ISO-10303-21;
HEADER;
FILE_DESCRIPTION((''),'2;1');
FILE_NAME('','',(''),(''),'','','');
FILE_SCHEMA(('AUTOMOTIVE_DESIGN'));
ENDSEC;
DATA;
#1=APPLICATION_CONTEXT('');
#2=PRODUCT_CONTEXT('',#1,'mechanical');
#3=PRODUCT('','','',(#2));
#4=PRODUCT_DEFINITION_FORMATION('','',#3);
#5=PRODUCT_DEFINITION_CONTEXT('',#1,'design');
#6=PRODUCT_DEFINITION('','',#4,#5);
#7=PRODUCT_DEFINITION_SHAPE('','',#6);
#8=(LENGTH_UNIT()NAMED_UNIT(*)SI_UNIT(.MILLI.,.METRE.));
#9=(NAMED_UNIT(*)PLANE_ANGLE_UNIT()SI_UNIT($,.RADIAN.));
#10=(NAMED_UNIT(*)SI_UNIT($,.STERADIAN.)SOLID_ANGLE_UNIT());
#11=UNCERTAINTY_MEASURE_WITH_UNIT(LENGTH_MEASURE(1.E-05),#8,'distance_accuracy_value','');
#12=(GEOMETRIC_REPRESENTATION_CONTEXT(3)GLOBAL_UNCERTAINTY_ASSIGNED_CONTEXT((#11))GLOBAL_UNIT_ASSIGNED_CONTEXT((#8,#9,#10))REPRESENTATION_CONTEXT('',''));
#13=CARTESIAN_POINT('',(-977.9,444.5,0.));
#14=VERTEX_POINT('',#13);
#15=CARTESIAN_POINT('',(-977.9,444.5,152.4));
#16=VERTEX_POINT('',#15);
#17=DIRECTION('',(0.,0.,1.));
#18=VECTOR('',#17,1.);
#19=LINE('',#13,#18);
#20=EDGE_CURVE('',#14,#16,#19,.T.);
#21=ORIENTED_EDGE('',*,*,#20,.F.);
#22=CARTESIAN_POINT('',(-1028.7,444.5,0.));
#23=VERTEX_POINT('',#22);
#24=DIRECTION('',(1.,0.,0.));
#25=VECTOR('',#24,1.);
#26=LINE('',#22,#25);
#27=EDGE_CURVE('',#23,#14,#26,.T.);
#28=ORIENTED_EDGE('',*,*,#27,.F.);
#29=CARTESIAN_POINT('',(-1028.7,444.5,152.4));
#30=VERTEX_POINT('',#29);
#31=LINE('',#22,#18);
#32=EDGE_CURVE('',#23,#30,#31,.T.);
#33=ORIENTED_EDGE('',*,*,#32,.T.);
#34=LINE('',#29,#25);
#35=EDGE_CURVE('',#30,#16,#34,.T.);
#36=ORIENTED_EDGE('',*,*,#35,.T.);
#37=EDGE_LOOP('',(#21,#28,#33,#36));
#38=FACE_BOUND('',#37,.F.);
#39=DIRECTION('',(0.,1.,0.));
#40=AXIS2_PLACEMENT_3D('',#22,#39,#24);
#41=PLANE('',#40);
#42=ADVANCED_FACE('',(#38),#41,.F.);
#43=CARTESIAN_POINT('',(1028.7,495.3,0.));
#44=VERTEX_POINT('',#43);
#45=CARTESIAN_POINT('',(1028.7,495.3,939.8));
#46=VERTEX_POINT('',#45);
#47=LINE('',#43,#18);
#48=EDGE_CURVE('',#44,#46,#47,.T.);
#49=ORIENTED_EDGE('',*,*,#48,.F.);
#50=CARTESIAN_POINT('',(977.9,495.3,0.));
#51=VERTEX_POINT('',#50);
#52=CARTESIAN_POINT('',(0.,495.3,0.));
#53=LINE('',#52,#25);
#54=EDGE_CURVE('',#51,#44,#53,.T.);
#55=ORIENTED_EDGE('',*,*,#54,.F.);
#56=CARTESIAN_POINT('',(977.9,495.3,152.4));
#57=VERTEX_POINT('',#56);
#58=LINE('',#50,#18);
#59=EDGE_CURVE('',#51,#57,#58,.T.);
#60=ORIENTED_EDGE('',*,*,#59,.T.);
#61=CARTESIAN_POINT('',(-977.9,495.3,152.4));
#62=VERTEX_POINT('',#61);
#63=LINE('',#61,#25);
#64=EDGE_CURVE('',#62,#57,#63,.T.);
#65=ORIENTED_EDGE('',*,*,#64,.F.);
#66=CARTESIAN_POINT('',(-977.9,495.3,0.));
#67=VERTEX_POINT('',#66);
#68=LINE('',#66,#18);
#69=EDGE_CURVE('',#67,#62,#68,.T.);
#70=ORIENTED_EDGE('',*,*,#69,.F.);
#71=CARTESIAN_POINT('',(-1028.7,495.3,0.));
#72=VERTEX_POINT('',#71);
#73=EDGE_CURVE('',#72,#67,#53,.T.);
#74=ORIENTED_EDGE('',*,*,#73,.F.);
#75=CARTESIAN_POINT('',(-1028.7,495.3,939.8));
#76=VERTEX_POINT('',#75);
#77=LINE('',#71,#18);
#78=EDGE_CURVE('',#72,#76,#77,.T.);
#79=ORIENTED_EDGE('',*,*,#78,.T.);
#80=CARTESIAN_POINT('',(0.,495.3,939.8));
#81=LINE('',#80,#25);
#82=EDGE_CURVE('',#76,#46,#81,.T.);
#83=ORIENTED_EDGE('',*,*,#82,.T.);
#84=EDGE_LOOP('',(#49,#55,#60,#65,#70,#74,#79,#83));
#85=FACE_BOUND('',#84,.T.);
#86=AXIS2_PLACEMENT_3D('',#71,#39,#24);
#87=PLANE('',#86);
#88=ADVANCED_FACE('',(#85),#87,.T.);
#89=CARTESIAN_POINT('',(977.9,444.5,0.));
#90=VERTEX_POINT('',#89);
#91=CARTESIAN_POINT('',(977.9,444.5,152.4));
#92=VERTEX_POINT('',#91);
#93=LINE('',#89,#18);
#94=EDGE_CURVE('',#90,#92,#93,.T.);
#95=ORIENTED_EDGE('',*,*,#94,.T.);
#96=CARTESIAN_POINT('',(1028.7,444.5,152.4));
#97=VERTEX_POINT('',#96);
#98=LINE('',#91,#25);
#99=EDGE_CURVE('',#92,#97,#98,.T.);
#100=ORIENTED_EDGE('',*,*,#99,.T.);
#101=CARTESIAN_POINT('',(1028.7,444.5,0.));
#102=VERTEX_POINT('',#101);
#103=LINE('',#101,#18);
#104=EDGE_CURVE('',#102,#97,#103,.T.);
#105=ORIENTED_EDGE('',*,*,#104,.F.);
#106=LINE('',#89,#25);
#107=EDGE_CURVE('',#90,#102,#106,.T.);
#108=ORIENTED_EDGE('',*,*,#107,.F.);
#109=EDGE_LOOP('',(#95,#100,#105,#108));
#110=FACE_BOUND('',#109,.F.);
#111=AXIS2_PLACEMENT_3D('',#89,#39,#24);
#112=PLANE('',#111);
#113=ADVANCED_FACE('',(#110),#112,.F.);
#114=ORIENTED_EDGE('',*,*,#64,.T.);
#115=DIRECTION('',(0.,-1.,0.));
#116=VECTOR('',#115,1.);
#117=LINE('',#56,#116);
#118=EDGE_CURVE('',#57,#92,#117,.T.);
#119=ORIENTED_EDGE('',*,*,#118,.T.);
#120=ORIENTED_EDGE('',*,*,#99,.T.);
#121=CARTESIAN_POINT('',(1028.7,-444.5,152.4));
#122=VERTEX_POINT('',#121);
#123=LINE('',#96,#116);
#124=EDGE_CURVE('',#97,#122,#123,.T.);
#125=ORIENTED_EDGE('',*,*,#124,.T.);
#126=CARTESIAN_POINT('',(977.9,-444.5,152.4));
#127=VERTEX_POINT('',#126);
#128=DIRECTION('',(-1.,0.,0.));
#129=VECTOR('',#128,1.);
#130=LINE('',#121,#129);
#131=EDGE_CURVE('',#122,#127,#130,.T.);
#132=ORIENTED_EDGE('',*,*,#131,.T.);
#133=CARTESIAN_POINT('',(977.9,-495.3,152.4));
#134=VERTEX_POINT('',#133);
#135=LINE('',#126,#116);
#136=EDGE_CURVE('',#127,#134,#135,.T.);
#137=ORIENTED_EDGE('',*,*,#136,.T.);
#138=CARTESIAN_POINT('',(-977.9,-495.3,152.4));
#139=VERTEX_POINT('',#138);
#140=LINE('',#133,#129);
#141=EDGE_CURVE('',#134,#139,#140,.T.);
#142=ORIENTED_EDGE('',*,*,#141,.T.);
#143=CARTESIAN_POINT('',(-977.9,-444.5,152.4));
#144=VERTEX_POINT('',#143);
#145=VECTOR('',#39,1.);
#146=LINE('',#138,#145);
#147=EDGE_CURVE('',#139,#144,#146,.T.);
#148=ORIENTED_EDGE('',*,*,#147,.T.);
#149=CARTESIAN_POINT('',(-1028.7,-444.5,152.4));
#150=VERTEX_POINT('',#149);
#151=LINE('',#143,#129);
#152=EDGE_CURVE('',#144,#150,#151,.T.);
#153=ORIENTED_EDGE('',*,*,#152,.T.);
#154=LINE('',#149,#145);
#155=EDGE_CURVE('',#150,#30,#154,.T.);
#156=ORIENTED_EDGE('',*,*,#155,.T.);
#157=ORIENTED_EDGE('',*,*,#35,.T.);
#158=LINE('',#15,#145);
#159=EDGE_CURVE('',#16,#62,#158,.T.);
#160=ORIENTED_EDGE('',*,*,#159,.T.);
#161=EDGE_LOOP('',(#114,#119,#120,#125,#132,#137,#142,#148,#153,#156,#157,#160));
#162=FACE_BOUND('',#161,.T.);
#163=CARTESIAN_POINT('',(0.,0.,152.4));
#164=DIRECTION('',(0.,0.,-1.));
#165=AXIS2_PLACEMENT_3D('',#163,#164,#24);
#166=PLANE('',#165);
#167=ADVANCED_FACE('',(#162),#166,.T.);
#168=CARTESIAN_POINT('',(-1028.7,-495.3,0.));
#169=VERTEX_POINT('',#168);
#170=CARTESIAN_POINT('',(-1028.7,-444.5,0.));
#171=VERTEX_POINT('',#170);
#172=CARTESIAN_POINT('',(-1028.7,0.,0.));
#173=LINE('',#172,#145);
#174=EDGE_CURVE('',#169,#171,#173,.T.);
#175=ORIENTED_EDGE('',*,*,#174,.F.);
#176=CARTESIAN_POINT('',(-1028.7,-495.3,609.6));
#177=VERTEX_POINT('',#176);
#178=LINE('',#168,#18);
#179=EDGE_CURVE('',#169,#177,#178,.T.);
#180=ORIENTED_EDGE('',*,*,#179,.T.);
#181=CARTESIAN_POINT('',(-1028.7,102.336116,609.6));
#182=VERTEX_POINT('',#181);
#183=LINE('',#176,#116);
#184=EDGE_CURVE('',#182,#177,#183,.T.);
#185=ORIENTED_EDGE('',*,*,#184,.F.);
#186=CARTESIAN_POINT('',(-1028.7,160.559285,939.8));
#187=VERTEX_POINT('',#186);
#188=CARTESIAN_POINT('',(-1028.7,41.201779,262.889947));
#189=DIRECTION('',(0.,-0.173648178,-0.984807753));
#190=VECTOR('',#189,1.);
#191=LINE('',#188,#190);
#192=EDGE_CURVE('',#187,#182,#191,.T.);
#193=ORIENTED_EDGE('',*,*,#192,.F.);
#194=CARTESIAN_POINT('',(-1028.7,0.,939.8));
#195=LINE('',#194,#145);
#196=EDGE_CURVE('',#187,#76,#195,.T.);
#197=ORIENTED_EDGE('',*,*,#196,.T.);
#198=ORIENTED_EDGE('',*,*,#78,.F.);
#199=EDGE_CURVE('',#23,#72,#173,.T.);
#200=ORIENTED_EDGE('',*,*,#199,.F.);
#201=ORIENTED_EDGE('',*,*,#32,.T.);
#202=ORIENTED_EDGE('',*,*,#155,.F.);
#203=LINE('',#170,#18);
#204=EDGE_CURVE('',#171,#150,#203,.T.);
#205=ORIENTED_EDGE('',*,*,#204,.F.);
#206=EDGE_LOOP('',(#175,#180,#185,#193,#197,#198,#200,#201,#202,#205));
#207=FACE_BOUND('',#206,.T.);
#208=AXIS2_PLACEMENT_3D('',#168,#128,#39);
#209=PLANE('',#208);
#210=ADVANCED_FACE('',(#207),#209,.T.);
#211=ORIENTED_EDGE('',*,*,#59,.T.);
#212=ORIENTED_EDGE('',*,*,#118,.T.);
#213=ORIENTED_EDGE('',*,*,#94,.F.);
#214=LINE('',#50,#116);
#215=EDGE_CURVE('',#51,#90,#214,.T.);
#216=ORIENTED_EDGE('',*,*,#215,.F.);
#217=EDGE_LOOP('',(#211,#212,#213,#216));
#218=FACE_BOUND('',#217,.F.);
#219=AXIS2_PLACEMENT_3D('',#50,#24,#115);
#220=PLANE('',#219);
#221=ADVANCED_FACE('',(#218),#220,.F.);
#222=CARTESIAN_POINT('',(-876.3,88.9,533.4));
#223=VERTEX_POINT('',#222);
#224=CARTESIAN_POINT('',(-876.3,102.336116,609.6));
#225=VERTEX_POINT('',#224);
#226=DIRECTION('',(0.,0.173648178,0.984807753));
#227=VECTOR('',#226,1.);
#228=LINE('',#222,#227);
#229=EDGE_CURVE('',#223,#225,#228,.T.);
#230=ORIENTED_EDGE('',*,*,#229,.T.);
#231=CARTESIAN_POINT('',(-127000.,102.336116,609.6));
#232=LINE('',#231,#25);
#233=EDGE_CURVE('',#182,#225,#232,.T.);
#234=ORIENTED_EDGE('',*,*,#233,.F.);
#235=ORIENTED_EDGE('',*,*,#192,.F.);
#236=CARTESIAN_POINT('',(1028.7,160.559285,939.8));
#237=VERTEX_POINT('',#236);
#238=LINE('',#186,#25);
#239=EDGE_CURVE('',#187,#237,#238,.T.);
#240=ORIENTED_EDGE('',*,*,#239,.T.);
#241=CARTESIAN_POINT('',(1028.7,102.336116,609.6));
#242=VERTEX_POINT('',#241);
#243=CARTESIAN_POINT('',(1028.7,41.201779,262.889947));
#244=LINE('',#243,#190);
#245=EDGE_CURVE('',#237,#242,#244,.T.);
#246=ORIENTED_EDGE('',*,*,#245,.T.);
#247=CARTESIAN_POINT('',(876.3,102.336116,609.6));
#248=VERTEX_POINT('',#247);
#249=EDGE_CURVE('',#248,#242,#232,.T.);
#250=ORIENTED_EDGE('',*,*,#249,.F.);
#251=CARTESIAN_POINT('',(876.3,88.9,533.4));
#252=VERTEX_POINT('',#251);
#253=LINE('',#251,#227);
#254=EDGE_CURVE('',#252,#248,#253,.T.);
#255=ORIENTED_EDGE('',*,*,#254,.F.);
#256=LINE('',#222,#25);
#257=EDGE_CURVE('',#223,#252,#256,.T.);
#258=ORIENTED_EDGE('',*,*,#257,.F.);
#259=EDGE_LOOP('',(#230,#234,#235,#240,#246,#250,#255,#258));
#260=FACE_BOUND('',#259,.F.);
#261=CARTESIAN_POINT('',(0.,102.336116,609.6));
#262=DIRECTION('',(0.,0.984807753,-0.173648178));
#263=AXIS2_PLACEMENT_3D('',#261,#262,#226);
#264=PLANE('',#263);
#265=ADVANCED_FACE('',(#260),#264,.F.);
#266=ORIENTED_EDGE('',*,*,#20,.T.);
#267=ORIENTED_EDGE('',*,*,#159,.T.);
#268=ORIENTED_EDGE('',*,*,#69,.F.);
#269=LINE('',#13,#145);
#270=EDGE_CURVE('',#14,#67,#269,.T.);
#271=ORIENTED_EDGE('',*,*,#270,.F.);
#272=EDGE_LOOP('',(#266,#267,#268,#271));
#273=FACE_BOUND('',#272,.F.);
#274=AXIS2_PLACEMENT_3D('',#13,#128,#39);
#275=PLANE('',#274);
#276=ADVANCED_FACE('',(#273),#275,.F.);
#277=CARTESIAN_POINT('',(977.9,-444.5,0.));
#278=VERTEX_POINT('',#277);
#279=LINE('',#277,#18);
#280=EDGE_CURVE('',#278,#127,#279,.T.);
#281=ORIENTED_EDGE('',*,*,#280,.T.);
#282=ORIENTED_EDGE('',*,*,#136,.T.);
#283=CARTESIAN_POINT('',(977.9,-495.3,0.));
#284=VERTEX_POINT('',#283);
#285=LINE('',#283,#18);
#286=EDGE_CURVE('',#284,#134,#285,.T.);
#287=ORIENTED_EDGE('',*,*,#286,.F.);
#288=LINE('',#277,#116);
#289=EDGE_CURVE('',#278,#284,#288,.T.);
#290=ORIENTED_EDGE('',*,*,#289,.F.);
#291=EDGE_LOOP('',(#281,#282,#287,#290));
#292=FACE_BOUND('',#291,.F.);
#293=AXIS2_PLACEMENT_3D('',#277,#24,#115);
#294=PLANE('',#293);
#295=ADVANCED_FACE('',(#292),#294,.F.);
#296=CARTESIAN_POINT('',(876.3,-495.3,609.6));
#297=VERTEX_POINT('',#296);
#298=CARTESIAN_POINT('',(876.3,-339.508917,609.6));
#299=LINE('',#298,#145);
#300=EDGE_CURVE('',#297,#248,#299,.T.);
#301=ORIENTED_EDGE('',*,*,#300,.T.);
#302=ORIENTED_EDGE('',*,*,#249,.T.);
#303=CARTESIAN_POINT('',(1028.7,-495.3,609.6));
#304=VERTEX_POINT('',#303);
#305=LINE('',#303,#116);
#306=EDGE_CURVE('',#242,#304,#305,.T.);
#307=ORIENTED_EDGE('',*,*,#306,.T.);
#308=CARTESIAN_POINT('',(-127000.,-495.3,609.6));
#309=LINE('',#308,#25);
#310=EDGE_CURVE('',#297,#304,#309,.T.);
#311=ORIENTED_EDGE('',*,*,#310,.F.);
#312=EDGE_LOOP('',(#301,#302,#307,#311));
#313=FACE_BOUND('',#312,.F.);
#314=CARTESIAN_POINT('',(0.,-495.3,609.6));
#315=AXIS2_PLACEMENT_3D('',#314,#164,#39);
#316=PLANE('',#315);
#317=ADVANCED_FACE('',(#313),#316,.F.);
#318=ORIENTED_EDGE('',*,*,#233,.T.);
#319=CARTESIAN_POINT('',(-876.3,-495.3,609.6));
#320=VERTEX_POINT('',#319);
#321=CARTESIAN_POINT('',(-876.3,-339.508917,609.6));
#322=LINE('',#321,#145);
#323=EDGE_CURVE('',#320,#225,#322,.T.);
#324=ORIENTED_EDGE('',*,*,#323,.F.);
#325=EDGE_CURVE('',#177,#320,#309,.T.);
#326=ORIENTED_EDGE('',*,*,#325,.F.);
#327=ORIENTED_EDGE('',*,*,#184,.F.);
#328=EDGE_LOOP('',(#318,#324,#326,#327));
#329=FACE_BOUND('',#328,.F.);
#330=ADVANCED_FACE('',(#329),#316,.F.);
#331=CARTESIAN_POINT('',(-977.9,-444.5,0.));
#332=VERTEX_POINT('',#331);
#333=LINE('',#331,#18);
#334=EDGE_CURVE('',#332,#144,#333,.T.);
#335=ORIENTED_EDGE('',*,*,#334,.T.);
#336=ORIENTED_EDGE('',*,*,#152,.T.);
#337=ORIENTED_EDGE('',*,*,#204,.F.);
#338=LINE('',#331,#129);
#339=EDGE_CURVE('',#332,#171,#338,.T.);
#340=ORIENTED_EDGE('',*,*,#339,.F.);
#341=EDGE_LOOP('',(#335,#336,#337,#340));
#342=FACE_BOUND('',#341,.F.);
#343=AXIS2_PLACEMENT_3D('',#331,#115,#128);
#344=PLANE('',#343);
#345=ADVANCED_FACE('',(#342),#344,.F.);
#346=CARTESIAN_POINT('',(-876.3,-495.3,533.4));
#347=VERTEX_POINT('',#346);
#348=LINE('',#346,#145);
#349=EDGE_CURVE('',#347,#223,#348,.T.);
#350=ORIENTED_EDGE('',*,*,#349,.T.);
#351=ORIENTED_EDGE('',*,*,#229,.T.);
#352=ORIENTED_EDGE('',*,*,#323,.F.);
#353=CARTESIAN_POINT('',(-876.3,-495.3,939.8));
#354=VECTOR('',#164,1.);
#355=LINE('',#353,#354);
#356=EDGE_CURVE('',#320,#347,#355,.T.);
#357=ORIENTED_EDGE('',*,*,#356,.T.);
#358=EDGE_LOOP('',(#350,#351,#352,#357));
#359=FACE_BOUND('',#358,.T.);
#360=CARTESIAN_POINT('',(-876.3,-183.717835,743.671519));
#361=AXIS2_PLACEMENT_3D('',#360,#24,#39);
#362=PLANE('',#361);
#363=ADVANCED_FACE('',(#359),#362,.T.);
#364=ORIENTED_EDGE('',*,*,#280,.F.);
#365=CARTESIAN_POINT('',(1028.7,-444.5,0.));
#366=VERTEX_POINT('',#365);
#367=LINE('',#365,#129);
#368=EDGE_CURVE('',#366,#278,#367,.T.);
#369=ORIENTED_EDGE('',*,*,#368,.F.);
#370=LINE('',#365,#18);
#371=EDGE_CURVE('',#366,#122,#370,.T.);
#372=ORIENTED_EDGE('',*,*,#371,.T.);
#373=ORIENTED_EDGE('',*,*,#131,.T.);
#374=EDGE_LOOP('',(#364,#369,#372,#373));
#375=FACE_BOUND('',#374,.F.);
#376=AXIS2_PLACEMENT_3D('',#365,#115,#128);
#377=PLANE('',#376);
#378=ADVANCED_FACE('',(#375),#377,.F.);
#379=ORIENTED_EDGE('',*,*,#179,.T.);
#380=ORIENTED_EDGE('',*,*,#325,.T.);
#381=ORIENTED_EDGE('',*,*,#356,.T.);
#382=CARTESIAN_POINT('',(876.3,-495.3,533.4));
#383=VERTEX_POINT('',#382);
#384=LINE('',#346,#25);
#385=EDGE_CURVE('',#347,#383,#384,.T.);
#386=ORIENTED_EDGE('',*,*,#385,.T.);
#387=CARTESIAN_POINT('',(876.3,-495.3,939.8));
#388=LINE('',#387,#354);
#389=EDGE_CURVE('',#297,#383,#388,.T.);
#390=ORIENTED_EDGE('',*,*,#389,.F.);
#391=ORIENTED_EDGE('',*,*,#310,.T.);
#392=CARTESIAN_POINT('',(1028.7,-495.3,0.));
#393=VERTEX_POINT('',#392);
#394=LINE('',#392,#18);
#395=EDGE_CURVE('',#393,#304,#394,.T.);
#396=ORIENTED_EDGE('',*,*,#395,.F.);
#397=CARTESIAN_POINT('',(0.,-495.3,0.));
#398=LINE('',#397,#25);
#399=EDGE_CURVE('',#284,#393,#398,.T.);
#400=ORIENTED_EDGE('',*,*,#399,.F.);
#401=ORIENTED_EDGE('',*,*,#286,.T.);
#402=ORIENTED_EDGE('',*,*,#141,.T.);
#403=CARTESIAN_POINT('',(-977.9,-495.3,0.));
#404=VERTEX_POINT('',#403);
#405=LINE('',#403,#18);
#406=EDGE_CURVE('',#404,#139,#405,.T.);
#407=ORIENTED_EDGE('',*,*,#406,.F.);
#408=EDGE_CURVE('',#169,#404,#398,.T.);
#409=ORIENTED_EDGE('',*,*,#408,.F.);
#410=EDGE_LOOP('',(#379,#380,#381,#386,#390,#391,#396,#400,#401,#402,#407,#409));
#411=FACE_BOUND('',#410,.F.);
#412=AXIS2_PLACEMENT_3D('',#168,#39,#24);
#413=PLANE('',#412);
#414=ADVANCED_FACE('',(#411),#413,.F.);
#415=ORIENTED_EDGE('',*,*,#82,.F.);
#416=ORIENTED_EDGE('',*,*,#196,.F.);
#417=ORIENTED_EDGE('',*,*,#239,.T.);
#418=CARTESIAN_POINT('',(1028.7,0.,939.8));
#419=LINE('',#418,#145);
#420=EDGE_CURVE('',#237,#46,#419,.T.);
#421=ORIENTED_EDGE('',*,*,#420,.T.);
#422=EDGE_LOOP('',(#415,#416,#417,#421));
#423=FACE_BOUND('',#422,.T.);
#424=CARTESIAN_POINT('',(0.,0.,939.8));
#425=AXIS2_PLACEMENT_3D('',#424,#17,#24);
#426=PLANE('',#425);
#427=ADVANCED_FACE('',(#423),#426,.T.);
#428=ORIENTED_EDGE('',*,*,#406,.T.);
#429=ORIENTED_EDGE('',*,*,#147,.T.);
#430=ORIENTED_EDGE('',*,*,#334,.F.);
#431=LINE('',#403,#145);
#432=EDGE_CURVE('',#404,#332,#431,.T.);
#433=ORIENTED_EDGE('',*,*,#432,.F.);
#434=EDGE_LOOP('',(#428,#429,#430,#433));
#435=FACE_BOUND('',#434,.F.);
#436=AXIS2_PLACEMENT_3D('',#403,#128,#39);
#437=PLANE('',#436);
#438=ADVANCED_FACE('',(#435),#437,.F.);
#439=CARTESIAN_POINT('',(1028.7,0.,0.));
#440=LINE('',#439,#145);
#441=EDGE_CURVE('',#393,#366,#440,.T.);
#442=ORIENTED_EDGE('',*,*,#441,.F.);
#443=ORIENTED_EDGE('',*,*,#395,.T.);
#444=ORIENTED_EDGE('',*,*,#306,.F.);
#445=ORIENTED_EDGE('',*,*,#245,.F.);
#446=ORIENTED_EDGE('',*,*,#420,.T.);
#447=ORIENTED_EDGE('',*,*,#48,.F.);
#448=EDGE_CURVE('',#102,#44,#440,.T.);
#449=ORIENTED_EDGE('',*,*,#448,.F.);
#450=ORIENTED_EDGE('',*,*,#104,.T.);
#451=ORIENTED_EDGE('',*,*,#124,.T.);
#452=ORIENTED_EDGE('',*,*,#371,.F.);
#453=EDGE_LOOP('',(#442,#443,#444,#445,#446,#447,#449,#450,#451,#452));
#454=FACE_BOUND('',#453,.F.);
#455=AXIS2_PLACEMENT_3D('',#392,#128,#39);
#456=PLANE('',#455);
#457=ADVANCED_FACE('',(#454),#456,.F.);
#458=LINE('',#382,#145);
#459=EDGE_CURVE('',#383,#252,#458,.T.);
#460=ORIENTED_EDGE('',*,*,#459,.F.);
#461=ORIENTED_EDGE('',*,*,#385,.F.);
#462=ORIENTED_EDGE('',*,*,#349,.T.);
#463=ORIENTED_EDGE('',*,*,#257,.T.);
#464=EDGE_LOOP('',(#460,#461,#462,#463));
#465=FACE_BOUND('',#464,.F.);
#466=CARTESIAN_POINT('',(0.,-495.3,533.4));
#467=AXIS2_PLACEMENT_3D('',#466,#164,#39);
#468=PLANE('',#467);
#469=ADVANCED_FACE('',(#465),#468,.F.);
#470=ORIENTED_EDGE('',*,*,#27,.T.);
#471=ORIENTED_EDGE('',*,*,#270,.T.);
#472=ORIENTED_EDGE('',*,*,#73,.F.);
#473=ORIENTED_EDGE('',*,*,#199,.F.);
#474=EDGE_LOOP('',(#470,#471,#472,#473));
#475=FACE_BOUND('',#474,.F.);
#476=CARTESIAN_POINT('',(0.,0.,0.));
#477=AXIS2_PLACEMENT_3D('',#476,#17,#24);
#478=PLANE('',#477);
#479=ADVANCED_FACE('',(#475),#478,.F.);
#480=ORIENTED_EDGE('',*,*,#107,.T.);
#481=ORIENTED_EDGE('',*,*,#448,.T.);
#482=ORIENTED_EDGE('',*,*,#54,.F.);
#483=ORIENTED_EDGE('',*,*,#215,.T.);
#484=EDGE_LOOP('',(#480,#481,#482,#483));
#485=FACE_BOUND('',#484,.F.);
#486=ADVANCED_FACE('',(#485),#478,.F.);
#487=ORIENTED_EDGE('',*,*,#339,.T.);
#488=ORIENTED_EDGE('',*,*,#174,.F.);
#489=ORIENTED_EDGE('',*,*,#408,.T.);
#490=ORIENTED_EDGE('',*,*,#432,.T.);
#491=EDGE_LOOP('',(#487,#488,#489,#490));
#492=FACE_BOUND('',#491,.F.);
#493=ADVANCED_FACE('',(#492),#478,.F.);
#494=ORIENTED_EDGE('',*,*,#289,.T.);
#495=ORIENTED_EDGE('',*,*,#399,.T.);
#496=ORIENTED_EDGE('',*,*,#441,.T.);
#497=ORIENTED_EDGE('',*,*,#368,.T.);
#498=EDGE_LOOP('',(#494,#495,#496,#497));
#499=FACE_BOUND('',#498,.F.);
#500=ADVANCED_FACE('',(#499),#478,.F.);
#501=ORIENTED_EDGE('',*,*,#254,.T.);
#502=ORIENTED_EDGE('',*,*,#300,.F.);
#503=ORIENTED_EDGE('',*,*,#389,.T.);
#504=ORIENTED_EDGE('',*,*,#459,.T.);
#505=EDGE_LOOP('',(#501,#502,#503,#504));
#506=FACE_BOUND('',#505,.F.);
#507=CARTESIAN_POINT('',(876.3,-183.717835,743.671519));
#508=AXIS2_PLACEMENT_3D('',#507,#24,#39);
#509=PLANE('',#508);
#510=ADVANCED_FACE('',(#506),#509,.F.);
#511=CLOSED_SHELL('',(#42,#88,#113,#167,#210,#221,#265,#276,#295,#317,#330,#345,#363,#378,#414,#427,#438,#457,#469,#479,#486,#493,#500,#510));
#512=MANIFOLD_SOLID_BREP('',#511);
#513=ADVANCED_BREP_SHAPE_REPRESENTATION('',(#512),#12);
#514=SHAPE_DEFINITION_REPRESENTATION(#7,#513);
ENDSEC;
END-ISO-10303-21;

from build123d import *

# Parameters (mm, degrees)
F0_W     = 2057.4
F0_H     = 990.6
F1_DEPTH = 939.8
F3_DEPTH = 876.3
F5_DEPTH = 127000
F7_DEPTH = 152.4


with BuildPart() as f1:
    # F0 (on Top) → F1 (new body)
    with BuildSketch(Plane.XY):
        Rectangle(F0_W, F0_H)
    extrude(amount=F1_DEPTH)

    # F2 (on Right) → F3 (cut, symmetric)
    with BuildSketch(Plane.YZ):
        Polygon((-495.3, 939.8), (-495.3, 533.4), (88.9, 533.4), (160.5592849599, 939.8), align=None)
    extrude(amount=F3_DEPTH, both=True, mode=Mode.SUBTRACT)

    # F4 (on Right) → F5 (cut, symmetric)
    with BuildSketch(Plane.YZ):
        Polygon((-495.3, 939.8), (-495.3, 609.6), (102.33611593, 609.6), (160.5592849599, 939.8), align=None)
    extrude(amount=F5_DEPTH, both=True, mode=Mode.SUBTRACT)

    # F6 (on face) → F7 (cut)
    with BuildSketch(Plane(origin=(0, 0, 0), x_dir=(1, 0, 0), z_dir=(0, 0, -1))):
        Polygon((977.9, 495.3), (-977.9, 495.3), (-977.9, 444.5), (-1028.7, 444.5), (-1028.7, -444.5), (-977.9, -444.5), (-977.9, -495.3), (977.9, -495.3), (977.9, -444.5), (1028.7, -444.5), (1028.7, 444.5), (977.9, 444.5), align=None)
    extrude(amount=-F7_DEPTH, mode=Mode.SUBTRACT)


solid = f1.part
